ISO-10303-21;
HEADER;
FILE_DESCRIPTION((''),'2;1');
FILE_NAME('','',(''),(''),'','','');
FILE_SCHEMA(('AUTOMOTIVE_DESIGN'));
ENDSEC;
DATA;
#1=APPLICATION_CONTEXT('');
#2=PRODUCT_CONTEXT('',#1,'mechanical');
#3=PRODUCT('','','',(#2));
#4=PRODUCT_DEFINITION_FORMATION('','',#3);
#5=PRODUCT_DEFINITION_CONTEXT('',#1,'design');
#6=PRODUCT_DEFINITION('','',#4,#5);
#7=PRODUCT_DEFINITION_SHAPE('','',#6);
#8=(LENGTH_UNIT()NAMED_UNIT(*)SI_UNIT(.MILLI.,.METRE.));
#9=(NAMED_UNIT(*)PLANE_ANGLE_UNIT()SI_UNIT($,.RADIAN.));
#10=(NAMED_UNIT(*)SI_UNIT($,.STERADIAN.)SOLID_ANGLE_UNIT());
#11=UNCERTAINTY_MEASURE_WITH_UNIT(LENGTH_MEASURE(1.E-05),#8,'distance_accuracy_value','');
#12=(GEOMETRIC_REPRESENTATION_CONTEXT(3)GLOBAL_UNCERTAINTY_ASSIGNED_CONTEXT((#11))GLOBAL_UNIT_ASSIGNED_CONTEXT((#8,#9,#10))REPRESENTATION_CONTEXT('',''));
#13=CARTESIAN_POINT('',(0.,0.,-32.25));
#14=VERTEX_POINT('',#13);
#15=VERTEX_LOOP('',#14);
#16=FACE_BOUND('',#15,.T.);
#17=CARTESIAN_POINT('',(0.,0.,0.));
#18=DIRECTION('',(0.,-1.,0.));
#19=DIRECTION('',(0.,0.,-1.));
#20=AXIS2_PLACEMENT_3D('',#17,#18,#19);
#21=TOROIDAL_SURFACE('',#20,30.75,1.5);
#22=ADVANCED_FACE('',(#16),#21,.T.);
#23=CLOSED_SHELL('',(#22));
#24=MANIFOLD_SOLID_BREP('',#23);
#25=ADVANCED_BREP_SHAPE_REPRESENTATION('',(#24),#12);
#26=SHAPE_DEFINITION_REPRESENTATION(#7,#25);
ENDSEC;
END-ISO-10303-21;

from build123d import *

# Parameters (mm, degrees)
SKETCH1_R = 1.5


with BuildPart() as part:
    # Sketch1 → Revolve1 (revolve)
    with BuildSketch(Plane.XY):
        with Locations((30.75, 0)):
            Circle(SKETCH1_R)
    revolve(axis=Axis((0, 0, 0), (0, 1, 0)))


solid = part.part
